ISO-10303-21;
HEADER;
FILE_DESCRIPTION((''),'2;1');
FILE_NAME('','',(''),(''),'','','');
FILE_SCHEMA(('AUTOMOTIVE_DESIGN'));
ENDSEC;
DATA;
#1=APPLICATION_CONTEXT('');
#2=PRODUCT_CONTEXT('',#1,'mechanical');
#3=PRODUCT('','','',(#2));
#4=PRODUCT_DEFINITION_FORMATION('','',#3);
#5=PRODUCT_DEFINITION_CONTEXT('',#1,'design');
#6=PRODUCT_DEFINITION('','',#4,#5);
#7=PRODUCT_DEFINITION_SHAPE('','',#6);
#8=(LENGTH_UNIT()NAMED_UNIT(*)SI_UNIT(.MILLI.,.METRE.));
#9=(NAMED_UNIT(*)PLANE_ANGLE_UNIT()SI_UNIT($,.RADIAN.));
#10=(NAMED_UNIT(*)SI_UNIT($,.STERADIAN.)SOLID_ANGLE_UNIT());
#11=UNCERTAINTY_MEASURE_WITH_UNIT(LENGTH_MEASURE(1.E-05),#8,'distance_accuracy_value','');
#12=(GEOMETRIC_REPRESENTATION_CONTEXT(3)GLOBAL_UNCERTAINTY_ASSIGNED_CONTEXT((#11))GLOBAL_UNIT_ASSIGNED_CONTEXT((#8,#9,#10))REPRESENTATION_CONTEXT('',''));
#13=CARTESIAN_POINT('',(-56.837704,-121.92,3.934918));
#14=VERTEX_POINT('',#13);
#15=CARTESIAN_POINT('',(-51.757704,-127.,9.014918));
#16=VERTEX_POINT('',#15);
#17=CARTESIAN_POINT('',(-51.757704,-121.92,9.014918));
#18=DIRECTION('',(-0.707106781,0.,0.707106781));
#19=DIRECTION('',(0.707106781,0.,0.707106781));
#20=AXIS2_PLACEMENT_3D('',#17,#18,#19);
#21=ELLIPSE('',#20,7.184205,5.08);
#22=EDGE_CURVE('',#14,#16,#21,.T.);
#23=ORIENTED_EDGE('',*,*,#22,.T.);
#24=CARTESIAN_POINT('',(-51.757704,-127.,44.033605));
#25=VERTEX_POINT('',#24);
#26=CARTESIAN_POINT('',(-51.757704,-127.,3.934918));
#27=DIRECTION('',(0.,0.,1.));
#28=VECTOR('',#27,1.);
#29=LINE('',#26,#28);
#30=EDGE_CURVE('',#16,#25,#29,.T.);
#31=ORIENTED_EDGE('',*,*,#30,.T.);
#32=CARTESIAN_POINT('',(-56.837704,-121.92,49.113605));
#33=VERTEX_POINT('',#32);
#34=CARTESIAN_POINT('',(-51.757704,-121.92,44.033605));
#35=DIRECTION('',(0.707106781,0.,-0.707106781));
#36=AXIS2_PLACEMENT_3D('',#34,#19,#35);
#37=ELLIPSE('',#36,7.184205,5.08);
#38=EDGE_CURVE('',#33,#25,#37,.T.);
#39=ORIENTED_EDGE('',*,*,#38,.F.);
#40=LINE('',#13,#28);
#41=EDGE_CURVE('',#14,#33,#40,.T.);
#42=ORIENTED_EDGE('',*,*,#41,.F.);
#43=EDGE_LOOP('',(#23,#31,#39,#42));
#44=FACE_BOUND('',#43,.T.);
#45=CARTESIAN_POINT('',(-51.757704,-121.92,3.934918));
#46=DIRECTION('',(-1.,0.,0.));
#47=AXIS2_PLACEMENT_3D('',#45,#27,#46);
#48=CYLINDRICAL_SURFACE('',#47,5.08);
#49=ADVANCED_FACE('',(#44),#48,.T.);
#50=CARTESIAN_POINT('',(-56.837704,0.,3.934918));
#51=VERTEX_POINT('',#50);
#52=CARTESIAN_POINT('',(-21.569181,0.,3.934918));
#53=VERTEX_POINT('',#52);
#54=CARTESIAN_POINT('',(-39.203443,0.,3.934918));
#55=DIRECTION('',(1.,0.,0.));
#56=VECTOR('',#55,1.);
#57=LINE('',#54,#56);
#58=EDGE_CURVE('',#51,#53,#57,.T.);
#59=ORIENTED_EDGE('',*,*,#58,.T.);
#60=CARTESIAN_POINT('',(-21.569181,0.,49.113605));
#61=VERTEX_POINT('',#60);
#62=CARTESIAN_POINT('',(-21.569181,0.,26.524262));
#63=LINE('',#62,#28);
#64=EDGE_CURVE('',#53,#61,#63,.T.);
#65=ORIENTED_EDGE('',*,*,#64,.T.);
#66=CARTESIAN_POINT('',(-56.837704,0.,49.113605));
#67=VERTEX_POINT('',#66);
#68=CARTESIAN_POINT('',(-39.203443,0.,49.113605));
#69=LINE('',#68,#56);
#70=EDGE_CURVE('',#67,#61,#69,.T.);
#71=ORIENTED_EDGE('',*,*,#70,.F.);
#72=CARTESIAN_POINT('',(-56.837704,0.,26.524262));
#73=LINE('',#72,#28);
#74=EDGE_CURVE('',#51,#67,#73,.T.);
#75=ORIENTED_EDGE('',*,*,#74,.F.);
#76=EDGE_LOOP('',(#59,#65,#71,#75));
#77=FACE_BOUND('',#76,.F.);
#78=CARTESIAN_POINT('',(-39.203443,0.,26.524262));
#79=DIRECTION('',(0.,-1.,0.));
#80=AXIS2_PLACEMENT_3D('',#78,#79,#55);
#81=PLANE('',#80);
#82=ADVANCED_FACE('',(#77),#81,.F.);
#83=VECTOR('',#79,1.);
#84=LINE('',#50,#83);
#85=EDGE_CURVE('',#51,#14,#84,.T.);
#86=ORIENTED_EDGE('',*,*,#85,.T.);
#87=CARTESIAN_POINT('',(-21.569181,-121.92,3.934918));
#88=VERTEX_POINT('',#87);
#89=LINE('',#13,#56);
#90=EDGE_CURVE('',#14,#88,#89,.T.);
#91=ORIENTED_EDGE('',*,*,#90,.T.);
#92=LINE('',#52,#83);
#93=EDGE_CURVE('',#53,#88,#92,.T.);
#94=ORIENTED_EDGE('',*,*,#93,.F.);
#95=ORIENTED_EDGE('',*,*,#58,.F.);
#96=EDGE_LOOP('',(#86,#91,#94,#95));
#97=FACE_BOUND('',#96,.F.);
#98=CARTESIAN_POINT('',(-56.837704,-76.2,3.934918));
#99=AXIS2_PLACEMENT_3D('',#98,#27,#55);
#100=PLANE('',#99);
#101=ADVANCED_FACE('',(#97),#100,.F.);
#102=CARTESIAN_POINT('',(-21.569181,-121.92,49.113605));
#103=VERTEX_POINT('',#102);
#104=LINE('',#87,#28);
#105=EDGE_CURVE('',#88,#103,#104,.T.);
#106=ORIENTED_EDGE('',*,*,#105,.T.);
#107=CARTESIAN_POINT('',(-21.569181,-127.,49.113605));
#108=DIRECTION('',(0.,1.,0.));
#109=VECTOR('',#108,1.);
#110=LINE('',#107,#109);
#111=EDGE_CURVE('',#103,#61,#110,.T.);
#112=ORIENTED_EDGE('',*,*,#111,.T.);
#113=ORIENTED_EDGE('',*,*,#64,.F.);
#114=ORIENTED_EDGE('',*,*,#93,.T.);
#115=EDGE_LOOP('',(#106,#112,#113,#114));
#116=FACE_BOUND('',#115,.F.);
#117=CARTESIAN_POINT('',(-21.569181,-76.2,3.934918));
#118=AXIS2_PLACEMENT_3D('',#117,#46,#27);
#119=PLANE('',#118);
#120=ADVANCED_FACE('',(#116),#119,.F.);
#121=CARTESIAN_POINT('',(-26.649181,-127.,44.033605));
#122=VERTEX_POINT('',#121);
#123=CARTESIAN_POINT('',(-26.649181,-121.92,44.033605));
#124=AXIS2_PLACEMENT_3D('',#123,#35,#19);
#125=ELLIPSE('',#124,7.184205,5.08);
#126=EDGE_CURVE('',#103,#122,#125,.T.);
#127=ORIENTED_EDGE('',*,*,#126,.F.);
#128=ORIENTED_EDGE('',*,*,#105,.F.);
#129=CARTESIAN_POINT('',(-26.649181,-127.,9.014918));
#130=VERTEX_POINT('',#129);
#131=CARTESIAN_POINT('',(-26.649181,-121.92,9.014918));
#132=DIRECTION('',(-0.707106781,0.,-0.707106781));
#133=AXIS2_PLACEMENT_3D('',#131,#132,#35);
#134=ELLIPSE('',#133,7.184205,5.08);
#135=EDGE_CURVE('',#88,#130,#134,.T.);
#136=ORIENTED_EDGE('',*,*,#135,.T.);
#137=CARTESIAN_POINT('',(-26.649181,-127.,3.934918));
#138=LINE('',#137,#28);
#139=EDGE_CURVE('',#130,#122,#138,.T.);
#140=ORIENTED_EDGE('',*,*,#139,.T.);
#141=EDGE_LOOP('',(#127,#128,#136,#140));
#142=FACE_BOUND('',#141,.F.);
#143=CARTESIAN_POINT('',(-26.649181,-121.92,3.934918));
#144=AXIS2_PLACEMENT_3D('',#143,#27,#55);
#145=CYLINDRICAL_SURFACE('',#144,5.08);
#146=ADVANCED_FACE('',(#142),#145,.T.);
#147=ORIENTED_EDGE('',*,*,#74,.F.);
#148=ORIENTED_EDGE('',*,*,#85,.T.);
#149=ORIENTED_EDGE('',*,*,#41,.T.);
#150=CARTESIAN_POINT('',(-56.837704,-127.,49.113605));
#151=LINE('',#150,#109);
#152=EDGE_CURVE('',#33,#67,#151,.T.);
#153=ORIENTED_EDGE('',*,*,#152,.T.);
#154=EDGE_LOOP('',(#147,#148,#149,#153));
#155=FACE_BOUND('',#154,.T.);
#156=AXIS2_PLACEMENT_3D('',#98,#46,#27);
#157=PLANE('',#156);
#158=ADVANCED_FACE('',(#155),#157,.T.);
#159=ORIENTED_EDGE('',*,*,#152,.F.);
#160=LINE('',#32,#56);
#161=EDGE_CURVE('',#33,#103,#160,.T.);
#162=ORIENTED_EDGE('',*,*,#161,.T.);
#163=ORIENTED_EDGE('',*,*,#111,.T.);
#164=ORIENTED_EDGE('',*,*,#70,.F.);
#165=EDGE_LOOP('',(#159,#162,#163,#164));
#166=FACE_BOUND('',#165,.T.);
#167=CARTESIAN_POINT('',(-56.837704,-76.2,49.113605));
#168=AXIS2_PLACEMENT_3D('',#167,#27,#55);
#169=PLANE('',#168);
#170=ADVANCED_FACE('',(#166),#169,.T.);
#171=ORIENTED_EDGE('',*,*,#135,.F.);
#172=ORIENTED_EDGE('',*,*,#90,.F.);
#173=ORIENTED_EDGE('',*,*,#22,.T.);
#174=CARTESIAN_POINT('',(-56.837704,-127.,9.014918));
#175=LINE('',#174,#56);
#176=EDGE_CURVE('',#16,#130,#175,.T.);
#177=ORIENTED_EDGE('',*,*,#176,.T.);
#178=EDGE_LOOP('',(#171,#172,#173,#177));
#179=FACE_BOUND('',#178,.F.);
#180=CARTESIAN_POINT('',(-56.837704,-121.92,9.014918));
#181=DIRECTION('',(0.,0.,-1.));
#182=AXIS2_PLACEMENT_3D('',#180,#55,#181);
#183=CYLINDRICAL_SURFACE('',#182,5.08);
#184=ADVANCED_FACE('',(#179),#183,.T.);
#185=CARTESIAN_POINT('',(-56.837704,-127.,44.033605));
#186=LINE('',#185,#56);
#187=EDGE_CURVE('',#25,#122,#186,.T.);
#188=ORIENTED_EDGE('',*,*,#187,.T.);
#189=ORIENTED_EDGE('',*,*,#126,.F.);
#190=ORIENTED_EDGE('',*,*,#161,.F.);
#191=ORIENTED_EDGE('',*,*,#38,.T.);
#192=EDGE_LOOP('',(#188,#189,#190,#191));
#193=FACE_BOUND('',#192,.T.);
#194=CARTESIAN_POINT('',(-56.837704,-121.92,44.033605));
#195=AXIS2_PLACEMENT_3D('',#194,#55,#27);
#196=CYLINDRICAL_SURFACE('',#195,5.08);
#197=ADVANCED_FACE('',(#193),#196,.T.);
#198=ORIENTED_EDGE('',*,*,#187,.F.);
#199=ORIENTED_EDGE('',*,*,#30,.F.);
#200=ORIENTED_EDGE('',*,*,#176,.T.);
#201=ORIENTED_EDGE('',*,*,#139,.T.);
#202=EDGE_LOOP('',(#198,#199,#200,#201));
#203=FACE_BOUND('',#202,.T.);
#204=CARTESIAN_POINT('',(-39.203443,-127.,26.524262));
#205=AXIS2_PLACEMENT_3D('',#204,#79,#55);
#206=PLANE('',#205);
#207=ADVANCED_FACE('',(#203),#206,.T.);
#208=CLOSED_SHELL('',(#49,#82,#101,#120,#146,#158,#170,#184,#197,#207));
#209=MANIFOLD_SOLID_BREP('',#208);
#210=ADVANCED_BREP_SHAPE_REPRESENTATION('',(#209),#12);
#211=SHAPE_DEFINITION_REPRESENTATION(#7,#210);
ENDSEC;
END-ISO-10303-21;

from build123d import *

# Parameters (mm, degrees)
F0_W     = 35.268522799
F0_H     = 45.1786872
F1_DEPTH = 76.2
F2_DEPTH = 50.8
F3_R     = 5.08


with BuildPart() as f1:
    # F0 (on Front) → F1 (new body)
    with BuildSketch(Plane.XZ):
        with Locations((-39.2034426332, 26.5242615715)):
            Rectangle(F0_W, F0_H)
    extrude(amount=F1_DEPTH)

    # F2 (add): a face of the model
    f2_faces = [f1.faces().sort_by_distance(p)[0] for p in [
        (-39.2034426332, -76.2, 26.5242615715),
    ]]
    extrude(f2_faces, amount=F2_DEPTH)

    # F3
    f3_edges = [f1.edges().sort_by_distance(p)[0] for p in [
        (-39.203443, -127, 49.113605),
        (-56.837704, -127, 26.524262),
        (-39.203443, -127, 3.934918),
        (-21.569181, -127, 26.524262),
    ]]
    fillet(f3_edges, radius=F3_R)


solid = f1.part
